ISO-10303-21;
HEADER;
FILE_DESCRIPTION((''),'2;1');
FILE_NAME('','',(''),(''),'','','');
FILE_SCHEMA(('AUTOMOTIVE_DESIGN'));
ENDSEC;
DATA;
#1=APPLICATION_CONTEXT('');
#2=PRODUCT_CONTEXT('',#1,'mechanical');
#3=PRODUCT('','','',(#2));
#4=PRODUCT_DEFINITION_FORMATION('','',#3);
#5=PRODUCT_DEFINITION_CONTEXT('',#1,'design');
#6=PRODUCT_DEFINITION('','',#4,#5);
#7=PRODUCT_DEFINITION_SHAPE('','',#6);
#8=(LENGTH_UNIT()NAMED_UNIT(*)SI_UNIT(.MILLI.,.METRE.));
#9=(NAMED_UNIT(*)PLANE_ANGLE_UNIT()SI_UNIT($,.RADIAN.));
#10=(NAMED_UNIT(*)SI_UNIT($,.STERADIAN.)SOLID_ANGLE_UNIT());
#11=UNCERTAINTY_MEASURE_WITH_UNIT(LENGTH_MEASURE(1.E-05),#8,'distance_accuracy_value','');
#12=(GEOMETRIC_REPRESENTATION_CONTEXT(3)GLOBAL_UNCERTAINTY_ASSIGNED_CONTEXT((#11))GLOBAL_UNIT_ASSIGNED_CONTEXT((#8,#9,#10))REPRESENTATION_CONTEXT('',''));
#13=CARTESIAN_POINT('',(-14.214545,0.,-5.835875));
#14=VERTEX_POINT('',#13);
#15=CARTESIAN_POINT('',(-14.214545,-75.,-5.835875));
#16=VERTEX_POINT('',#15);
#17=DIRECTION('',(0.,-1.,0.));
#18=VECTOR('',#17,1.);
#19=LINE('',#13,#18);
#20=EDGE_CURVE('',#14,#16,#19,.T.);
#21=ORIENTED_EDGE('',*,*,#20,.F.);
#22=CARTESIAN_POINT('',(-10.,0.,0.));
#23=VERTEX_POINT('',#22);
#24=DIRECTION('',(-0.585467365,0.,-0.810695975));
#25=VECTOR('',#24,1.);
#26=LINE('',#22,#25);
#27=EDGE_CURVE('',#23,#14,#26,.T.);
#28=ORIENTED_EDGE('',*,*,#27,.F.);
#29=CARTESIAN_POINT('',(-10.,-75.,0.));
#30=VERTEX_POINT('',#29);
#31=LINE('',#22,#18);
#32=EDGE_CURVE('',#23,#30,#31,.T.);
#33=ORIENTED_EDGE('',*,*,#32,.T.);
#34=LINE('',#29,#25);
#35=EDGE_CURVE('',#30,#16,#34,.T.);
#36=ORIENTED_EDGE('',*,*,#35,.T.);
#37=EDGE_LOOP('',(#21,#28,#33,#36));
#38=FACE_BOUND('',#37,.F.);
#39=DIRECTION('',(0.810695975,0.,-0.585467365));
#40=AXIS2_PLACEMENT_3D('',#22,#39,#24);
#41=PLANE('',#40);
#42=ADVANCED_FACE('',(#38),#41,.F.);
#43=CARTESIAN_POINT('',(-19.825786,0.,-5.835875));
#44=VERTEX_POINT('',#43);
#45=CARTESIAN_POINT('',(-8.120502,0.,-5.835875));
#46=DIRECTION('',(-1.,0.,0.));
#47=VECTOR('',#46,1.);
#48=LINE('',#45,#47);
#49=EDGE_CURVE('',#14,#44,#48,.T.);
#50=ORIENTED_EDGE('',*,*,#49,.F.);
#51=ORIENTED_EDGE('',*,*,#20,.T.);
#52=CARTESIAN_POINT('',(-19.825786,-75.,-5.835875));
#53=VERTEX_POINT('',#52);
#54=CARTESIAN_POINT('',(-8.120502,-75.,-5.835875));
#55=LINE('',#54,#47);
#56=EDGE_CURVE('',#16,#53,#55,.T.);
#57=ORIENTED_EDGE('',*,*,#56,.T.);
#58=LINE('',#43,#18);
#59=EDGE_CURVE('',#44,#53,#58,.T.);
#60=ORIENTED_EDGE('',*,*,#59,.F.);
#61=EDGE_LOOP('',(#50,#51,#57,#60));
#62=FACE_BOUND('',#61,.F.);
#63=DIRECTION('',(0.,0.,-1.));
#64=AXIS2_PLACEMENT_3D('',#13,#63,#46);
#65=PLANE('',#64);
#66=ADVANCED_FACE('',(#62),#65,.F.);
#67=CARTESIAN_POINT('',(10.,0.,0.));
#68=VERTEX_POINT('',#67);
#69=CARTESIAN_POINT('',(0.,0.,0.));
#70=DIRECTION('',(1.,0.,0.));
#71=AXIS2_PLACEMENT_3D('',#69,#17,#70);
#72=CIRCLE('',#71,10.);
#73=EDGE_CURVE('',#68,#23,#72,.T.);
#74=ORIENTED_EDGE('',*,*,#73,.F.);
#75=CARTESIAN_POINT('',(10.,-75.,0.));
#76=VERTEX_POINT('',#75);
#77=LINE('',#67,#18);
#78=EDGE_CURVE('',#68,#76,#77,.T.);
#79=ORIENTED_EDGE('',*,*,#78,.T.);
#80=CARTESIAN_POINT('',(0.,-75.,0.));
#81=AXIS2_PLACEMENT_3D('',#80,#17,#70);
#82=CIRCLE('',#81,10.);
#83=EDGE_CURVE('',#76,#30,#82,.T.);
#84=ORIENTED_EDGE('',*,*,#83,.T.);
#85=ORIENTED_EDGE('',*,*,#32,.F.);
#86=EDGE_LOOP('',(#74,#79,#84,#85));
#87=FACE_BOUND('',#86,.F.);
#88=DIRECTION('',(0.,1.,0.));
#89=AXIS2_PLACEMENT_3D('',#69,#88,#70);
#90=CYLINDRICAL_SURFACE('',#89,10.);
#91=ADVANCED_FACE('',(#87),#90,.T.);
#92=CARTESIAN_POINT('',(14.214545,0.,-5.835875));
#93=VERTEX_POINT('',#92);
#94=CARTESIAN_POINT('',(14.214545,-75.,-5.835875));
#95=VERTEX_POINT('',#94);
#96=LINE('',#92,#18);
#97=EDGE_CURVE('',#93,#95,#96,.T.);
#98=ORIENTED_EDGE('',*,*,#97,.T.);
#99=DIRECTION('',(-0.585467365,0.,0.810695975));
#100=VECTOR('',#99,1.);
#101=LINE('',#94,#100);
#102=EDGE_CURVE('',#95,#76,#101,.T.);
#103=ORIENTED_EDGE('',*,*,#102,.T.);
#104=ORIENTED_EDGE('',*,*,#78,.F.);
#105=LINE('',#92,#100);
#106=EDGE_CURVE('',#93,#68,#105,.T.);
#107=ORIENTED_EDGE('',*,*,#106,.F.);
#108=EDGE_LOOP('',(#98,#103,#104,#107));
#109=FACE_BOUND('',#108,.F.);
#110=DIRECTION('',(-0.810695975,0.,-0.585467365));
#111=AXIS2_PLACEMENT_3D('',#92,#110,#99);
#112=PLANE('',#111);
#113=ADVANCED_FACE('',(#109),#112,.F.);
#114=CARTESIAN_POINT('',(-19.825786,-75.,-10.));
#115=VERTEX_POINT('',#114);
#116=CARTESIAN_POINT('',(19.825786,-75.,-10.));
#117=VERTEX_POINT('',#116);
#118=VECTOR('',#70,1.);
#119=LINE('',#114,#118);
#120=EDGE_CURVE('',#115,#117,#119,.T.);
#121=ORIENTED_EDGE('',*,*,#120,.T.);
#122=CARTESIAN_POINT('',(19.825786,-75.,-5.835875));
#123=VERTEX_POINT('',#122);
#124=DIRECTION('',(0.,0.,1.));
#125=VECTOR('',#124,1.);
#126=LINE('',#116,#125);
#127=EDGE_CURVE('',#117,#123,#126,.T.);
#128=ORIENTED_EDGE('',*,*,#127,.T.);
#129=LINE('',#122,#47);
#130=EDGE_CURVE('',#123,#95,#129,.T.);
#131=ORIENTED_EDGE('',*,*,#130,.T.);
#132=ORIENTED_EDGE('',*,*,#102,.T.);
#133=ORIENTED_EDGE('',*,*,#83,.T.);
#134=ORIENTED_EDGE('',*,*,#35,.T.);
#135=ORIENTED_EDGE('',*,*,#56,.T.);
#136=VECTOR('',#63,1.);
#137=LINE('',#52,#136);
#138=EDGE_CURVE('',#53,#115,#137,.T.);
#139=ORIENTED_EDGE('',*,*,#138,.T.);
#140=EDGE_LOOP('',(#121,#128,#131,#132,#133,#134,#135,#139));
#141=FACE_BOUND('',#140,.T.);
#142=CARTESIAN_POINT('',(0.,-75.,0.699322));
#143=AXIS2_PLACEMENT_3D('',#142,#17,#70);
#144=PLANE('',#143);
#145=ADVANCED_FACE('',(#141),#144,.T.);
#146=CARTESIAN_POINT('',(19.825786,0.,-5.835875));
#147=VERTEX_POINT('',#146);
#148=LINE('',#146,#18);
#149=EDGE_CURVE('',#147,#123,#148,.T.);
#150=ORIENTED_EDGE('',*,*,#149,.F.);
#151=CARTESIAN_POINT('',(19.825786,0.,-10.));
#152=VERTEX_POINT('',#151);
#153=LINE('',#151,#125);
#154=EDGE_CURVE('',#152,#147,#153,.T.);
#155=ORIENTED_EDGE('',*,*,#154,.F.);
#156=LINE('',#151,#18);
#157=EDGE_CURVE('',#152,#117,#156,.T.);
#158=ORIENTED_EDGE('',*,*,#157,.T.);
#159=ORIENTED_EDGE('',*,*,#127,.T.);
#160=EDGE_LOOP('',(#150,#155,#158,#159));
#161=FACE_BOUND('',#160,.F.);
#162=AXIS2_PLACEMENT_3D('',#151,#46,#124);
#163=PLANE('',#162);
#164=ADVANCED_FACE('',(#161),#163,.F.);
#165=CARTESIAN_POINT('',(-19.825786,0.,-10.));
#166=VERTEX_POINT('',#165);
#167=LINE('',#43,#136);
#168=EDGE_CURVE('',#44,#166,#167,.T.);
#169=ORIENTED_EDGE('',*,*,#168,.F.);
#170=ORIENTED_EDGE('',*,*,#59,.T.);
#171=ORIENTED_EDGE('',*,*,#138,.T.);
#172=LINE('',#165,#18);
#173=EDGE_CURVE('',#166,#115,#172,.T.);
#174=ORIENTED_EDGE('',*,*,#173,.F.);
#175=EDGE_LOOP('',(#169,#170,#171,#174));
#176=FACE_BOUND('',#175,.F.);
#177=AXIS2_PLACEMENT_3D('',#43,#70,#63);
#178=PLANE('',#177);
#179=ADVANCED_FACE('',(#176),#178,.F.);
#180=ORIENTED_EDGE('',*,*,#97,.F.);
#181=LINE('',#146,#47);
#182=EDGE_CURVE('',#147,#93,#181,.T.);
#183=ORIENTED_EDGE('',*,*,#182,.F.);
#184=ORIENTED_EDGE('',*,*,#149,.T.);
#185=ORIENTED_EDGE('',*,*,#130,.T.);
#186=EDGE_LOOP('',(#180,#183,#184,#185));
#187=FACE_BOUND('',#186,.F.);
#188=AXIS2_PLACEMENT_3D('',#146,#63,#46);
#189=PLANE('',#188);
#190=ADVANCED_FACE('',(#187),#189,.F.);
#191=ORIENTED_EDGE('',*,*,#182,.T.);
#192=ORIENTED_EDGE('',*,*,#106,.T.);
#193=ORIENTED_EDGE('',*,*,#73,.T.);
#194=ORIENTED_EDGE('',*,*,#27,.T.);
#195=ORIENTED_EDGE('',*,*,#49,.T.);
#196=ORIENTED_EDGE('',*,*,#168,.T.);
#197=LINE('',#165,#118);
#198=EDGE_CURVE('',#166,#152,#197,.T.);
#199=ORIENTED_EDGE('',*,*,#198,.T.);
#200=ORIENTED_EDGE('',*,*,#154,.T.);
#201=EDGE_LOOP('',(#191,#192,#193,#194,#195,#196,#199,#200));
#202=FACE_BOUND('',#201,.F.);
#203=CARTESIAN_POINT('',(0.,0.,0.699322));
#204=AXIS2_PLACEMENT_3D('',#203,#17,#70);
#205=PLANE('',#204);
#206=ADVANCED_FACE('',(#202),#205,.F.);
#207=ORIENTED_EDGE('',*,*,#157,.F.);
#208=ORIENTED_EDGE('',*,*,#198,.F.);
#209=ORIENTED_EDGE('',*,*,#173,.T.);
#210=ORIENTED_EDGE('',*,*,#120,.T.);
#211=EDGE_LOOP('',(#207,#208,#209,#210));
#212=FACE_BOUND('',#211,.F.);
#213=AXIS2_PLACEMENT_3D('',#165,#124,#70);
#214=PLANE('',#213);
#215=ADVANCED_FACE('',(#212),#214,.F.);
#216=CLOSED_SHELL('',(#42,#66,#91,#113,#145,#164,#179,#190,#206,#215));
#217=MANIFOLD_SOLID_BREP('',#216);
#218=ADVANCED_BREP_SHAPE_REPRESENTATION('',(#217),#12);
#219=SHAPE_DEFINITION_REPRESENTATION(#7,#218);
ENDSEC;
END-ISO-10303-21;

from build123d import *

# Parameters (mm, degrees)
F1_DEPTH = 75


with BuildPart() as f1:
    # F0 (on Front) → F1 (new body)
    with BuildSketch(Plane.XZ):
        with BuildLine():
            ThreePointArc((8.1205022937, -5.8358754697), (9.5185351535, -3.0655323406), (10, 0))
            ThreePointArc((10, 0), (0, 10), (-10, 0))
            ThreePointArc((-10, 0), (-9.5185351535, -3.0655323406), (-8.1205022937, -5.8358754697))
            Line((-8.1205022937, -5.8358754697), (0, -5.8358754697))
            Line((0, -5.8358754697), (8.1205022937, -5.8358754697))
        make_face()
        with BuildLine():
            Line((14.2145449562, -5.8358754697), (10, 0))
            ThreePointArc((10, 0), (9.5185351535, -3.0655323406), (8.1205022937, -5.8358754697))
            Line((8.1205022937, -5.8358754697), (14.2145449562, -5.8358754697))
        make_face()
        with BuildLine():
            ThreePointArc((-8.1205022937, -5.8358754697), (-9.5185351535, -3.0655323406), (-10, 0))
            Line((-10, 0), (-14.2145449562, -5.8358754697))
            Line((-14.2145449562, -5.8358754697), (-8.1205022937, -5.8358754697))
        make_face()
        with BuildLine():
            Line((14.2145449562, -5.8358754697), (8.1205022937, -5.8358754697))
            ThreePointArc((8.1205022937, -5.8358754697), (4.562962048, -8.89827946), (0, -10))
            Line((0, -10), (19.8257860861, -10))
            Line((19.8257860861, -10), (19.8257860861, -5.8358754697))
            Line((19.8257860861, -5.8358754697), (14.2145449562, -5.8358754697))
        make_face()
        with BuildLine():
            ThreePointArc((0, -10), (4.562962048, -8.89827946), (8.1205022937, -5.8358754697))
            Line((8.1205022937, -5.8358754697), (0, -5.8358754697))
            Line((0, -5.8358754697), (0, -10))
        make_face()
        with BuildLine():
            Line((0, -5.8358754697), (-8.1205022937, -5.8358754697))
            ThreePointArc((-8.1205022937, -5.8358754697), (-4.562962048, -8.89827946), (0, -10))
            Line((0, -10), (0, -5.8358754697))
        make_face()
        with BuildLine():
            ThreePointArc((0, -10), (-4.562962048, -8.89827946), (-8.1205022937, -5.8358754697))
            Line((-8.1205022937, -5.8358754697), (-14.2145449562, -5.8358754697))
            Line((-14.2145449562, -5.8358754697), (-19.8257860861, -5.8358754697))
            Line((-19.8257860861, -5.8358754697), (-19.8257860861, -10))
            Line((-19.8257860861, -10), (0, -10))
        make_face()
    extrude(amount=F1_DEPTH)


solid = f1.part
